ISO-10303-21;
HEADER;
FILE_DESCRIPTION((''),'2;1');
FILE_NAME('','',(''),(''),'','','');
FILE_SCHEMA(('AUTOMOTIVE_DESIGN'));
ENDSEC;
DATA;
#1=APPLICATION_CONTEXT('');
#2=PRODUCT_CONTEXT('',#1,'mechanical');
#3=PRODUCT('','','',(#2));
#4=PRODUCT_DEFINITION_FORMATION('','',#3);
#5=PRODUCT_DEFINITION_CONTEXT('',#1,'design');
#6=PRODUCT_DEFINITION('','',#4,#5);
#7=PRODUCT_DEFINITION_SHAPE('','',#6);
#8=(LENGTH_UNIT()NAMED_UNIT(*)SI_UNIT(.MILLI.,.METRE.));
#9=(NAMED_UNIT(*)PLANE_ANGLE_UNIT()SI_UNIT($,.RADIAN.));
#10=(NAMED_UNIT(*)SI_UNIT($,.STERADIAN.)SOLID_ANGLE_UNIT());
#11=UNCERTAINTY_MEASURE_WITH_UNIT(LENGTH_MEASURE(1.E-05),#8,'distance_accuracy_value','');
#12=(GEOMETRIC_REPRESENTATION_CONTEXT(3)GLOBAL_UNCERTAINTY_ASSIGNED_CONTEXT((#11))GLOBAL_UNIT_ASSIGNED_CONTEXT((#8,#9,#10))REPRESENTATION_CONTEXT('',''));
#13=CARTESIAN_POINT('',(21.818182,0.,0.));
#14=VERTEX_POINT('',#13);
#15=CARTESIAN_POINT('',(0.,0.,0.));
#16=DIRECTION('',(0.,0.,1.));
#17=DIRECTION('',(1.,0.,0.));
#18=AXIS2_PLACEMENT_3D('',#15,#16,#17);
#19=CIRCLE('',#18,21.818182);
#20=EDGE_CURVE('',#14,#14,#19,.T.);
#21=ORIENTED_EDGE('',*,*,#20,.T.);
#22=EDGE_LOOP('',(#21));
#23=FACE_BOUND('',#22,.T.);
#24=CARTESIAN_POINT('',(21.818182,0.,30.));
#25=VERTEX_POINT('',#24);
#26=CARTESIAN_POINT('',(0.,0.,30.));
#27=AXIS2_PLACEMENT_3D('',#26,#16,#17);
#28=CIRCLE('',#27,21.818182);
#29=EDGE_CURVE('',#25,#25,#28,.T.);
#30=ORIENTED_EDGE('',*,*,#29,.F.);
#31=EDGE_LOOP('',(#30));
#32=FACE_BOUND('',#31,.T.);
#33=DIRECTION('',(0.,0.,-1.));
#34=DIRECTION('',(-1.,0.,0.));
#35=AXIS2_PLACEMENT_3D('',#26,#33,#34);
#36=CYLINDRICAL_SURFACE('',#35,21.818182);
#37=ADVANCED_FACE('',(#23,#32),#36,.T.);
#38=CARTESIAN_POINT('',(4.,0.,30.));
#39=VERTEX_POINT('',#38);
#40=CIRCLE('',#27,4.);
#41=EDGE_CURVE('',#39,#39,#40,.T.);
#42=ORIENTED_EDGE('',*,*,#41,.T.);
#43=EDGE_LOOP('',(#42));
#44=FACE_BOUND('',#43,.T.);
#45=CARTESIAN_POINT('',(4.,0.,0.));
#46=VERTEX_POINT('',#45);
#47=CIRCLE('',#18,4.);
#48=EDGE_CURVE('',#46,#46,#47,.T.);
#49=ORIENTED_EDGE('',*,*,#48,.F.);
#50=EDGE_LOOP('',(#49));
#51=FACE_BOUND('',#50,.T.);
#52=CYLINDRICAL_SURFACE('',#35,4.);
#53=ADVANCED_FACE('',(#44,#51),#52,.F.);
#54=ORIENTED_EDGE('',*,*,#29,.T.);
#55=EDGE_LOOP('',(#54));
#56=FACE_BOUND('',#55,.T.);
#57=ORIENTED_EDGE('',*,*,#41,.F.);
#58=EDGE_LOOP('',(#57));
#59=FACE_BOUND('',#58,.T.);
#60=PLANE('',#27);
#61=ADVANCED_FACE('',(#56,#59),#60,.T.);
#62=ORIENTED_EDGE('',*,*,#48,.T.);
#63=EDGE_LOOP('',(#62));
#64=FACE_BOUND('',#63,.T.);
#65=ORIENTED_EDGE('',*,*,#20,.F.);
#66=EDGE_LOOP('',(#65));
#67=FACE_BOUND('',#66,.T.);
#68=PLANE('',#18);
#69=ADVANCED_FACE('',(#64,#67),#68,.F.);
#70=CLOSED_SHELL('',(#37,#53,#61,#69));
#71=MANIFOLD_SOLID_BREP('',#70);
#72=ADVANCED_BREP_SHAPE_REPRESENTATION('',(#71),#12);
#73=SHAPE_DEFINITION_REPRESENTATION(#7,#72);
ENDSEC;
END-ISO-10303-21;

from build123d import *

# Parameters (mm, degrees)
SKETCH_1_R      = 21.818181818
SKETCH_1_R_2    = 4
EXTRUDE_1_DEPTH = 30


with BuildPart() as part:
    # 草图1 → 凸台-拉伸1 (new body)
    with BuildSketch(Plane.XY):
        Circle(SKETCH_1_R)
        Circle(SKETCH_1_R_2, mode=Mode.SUBTRACT)
    extrude(amount=EXTRUDE_1_DEPTH)


solid = part.part
